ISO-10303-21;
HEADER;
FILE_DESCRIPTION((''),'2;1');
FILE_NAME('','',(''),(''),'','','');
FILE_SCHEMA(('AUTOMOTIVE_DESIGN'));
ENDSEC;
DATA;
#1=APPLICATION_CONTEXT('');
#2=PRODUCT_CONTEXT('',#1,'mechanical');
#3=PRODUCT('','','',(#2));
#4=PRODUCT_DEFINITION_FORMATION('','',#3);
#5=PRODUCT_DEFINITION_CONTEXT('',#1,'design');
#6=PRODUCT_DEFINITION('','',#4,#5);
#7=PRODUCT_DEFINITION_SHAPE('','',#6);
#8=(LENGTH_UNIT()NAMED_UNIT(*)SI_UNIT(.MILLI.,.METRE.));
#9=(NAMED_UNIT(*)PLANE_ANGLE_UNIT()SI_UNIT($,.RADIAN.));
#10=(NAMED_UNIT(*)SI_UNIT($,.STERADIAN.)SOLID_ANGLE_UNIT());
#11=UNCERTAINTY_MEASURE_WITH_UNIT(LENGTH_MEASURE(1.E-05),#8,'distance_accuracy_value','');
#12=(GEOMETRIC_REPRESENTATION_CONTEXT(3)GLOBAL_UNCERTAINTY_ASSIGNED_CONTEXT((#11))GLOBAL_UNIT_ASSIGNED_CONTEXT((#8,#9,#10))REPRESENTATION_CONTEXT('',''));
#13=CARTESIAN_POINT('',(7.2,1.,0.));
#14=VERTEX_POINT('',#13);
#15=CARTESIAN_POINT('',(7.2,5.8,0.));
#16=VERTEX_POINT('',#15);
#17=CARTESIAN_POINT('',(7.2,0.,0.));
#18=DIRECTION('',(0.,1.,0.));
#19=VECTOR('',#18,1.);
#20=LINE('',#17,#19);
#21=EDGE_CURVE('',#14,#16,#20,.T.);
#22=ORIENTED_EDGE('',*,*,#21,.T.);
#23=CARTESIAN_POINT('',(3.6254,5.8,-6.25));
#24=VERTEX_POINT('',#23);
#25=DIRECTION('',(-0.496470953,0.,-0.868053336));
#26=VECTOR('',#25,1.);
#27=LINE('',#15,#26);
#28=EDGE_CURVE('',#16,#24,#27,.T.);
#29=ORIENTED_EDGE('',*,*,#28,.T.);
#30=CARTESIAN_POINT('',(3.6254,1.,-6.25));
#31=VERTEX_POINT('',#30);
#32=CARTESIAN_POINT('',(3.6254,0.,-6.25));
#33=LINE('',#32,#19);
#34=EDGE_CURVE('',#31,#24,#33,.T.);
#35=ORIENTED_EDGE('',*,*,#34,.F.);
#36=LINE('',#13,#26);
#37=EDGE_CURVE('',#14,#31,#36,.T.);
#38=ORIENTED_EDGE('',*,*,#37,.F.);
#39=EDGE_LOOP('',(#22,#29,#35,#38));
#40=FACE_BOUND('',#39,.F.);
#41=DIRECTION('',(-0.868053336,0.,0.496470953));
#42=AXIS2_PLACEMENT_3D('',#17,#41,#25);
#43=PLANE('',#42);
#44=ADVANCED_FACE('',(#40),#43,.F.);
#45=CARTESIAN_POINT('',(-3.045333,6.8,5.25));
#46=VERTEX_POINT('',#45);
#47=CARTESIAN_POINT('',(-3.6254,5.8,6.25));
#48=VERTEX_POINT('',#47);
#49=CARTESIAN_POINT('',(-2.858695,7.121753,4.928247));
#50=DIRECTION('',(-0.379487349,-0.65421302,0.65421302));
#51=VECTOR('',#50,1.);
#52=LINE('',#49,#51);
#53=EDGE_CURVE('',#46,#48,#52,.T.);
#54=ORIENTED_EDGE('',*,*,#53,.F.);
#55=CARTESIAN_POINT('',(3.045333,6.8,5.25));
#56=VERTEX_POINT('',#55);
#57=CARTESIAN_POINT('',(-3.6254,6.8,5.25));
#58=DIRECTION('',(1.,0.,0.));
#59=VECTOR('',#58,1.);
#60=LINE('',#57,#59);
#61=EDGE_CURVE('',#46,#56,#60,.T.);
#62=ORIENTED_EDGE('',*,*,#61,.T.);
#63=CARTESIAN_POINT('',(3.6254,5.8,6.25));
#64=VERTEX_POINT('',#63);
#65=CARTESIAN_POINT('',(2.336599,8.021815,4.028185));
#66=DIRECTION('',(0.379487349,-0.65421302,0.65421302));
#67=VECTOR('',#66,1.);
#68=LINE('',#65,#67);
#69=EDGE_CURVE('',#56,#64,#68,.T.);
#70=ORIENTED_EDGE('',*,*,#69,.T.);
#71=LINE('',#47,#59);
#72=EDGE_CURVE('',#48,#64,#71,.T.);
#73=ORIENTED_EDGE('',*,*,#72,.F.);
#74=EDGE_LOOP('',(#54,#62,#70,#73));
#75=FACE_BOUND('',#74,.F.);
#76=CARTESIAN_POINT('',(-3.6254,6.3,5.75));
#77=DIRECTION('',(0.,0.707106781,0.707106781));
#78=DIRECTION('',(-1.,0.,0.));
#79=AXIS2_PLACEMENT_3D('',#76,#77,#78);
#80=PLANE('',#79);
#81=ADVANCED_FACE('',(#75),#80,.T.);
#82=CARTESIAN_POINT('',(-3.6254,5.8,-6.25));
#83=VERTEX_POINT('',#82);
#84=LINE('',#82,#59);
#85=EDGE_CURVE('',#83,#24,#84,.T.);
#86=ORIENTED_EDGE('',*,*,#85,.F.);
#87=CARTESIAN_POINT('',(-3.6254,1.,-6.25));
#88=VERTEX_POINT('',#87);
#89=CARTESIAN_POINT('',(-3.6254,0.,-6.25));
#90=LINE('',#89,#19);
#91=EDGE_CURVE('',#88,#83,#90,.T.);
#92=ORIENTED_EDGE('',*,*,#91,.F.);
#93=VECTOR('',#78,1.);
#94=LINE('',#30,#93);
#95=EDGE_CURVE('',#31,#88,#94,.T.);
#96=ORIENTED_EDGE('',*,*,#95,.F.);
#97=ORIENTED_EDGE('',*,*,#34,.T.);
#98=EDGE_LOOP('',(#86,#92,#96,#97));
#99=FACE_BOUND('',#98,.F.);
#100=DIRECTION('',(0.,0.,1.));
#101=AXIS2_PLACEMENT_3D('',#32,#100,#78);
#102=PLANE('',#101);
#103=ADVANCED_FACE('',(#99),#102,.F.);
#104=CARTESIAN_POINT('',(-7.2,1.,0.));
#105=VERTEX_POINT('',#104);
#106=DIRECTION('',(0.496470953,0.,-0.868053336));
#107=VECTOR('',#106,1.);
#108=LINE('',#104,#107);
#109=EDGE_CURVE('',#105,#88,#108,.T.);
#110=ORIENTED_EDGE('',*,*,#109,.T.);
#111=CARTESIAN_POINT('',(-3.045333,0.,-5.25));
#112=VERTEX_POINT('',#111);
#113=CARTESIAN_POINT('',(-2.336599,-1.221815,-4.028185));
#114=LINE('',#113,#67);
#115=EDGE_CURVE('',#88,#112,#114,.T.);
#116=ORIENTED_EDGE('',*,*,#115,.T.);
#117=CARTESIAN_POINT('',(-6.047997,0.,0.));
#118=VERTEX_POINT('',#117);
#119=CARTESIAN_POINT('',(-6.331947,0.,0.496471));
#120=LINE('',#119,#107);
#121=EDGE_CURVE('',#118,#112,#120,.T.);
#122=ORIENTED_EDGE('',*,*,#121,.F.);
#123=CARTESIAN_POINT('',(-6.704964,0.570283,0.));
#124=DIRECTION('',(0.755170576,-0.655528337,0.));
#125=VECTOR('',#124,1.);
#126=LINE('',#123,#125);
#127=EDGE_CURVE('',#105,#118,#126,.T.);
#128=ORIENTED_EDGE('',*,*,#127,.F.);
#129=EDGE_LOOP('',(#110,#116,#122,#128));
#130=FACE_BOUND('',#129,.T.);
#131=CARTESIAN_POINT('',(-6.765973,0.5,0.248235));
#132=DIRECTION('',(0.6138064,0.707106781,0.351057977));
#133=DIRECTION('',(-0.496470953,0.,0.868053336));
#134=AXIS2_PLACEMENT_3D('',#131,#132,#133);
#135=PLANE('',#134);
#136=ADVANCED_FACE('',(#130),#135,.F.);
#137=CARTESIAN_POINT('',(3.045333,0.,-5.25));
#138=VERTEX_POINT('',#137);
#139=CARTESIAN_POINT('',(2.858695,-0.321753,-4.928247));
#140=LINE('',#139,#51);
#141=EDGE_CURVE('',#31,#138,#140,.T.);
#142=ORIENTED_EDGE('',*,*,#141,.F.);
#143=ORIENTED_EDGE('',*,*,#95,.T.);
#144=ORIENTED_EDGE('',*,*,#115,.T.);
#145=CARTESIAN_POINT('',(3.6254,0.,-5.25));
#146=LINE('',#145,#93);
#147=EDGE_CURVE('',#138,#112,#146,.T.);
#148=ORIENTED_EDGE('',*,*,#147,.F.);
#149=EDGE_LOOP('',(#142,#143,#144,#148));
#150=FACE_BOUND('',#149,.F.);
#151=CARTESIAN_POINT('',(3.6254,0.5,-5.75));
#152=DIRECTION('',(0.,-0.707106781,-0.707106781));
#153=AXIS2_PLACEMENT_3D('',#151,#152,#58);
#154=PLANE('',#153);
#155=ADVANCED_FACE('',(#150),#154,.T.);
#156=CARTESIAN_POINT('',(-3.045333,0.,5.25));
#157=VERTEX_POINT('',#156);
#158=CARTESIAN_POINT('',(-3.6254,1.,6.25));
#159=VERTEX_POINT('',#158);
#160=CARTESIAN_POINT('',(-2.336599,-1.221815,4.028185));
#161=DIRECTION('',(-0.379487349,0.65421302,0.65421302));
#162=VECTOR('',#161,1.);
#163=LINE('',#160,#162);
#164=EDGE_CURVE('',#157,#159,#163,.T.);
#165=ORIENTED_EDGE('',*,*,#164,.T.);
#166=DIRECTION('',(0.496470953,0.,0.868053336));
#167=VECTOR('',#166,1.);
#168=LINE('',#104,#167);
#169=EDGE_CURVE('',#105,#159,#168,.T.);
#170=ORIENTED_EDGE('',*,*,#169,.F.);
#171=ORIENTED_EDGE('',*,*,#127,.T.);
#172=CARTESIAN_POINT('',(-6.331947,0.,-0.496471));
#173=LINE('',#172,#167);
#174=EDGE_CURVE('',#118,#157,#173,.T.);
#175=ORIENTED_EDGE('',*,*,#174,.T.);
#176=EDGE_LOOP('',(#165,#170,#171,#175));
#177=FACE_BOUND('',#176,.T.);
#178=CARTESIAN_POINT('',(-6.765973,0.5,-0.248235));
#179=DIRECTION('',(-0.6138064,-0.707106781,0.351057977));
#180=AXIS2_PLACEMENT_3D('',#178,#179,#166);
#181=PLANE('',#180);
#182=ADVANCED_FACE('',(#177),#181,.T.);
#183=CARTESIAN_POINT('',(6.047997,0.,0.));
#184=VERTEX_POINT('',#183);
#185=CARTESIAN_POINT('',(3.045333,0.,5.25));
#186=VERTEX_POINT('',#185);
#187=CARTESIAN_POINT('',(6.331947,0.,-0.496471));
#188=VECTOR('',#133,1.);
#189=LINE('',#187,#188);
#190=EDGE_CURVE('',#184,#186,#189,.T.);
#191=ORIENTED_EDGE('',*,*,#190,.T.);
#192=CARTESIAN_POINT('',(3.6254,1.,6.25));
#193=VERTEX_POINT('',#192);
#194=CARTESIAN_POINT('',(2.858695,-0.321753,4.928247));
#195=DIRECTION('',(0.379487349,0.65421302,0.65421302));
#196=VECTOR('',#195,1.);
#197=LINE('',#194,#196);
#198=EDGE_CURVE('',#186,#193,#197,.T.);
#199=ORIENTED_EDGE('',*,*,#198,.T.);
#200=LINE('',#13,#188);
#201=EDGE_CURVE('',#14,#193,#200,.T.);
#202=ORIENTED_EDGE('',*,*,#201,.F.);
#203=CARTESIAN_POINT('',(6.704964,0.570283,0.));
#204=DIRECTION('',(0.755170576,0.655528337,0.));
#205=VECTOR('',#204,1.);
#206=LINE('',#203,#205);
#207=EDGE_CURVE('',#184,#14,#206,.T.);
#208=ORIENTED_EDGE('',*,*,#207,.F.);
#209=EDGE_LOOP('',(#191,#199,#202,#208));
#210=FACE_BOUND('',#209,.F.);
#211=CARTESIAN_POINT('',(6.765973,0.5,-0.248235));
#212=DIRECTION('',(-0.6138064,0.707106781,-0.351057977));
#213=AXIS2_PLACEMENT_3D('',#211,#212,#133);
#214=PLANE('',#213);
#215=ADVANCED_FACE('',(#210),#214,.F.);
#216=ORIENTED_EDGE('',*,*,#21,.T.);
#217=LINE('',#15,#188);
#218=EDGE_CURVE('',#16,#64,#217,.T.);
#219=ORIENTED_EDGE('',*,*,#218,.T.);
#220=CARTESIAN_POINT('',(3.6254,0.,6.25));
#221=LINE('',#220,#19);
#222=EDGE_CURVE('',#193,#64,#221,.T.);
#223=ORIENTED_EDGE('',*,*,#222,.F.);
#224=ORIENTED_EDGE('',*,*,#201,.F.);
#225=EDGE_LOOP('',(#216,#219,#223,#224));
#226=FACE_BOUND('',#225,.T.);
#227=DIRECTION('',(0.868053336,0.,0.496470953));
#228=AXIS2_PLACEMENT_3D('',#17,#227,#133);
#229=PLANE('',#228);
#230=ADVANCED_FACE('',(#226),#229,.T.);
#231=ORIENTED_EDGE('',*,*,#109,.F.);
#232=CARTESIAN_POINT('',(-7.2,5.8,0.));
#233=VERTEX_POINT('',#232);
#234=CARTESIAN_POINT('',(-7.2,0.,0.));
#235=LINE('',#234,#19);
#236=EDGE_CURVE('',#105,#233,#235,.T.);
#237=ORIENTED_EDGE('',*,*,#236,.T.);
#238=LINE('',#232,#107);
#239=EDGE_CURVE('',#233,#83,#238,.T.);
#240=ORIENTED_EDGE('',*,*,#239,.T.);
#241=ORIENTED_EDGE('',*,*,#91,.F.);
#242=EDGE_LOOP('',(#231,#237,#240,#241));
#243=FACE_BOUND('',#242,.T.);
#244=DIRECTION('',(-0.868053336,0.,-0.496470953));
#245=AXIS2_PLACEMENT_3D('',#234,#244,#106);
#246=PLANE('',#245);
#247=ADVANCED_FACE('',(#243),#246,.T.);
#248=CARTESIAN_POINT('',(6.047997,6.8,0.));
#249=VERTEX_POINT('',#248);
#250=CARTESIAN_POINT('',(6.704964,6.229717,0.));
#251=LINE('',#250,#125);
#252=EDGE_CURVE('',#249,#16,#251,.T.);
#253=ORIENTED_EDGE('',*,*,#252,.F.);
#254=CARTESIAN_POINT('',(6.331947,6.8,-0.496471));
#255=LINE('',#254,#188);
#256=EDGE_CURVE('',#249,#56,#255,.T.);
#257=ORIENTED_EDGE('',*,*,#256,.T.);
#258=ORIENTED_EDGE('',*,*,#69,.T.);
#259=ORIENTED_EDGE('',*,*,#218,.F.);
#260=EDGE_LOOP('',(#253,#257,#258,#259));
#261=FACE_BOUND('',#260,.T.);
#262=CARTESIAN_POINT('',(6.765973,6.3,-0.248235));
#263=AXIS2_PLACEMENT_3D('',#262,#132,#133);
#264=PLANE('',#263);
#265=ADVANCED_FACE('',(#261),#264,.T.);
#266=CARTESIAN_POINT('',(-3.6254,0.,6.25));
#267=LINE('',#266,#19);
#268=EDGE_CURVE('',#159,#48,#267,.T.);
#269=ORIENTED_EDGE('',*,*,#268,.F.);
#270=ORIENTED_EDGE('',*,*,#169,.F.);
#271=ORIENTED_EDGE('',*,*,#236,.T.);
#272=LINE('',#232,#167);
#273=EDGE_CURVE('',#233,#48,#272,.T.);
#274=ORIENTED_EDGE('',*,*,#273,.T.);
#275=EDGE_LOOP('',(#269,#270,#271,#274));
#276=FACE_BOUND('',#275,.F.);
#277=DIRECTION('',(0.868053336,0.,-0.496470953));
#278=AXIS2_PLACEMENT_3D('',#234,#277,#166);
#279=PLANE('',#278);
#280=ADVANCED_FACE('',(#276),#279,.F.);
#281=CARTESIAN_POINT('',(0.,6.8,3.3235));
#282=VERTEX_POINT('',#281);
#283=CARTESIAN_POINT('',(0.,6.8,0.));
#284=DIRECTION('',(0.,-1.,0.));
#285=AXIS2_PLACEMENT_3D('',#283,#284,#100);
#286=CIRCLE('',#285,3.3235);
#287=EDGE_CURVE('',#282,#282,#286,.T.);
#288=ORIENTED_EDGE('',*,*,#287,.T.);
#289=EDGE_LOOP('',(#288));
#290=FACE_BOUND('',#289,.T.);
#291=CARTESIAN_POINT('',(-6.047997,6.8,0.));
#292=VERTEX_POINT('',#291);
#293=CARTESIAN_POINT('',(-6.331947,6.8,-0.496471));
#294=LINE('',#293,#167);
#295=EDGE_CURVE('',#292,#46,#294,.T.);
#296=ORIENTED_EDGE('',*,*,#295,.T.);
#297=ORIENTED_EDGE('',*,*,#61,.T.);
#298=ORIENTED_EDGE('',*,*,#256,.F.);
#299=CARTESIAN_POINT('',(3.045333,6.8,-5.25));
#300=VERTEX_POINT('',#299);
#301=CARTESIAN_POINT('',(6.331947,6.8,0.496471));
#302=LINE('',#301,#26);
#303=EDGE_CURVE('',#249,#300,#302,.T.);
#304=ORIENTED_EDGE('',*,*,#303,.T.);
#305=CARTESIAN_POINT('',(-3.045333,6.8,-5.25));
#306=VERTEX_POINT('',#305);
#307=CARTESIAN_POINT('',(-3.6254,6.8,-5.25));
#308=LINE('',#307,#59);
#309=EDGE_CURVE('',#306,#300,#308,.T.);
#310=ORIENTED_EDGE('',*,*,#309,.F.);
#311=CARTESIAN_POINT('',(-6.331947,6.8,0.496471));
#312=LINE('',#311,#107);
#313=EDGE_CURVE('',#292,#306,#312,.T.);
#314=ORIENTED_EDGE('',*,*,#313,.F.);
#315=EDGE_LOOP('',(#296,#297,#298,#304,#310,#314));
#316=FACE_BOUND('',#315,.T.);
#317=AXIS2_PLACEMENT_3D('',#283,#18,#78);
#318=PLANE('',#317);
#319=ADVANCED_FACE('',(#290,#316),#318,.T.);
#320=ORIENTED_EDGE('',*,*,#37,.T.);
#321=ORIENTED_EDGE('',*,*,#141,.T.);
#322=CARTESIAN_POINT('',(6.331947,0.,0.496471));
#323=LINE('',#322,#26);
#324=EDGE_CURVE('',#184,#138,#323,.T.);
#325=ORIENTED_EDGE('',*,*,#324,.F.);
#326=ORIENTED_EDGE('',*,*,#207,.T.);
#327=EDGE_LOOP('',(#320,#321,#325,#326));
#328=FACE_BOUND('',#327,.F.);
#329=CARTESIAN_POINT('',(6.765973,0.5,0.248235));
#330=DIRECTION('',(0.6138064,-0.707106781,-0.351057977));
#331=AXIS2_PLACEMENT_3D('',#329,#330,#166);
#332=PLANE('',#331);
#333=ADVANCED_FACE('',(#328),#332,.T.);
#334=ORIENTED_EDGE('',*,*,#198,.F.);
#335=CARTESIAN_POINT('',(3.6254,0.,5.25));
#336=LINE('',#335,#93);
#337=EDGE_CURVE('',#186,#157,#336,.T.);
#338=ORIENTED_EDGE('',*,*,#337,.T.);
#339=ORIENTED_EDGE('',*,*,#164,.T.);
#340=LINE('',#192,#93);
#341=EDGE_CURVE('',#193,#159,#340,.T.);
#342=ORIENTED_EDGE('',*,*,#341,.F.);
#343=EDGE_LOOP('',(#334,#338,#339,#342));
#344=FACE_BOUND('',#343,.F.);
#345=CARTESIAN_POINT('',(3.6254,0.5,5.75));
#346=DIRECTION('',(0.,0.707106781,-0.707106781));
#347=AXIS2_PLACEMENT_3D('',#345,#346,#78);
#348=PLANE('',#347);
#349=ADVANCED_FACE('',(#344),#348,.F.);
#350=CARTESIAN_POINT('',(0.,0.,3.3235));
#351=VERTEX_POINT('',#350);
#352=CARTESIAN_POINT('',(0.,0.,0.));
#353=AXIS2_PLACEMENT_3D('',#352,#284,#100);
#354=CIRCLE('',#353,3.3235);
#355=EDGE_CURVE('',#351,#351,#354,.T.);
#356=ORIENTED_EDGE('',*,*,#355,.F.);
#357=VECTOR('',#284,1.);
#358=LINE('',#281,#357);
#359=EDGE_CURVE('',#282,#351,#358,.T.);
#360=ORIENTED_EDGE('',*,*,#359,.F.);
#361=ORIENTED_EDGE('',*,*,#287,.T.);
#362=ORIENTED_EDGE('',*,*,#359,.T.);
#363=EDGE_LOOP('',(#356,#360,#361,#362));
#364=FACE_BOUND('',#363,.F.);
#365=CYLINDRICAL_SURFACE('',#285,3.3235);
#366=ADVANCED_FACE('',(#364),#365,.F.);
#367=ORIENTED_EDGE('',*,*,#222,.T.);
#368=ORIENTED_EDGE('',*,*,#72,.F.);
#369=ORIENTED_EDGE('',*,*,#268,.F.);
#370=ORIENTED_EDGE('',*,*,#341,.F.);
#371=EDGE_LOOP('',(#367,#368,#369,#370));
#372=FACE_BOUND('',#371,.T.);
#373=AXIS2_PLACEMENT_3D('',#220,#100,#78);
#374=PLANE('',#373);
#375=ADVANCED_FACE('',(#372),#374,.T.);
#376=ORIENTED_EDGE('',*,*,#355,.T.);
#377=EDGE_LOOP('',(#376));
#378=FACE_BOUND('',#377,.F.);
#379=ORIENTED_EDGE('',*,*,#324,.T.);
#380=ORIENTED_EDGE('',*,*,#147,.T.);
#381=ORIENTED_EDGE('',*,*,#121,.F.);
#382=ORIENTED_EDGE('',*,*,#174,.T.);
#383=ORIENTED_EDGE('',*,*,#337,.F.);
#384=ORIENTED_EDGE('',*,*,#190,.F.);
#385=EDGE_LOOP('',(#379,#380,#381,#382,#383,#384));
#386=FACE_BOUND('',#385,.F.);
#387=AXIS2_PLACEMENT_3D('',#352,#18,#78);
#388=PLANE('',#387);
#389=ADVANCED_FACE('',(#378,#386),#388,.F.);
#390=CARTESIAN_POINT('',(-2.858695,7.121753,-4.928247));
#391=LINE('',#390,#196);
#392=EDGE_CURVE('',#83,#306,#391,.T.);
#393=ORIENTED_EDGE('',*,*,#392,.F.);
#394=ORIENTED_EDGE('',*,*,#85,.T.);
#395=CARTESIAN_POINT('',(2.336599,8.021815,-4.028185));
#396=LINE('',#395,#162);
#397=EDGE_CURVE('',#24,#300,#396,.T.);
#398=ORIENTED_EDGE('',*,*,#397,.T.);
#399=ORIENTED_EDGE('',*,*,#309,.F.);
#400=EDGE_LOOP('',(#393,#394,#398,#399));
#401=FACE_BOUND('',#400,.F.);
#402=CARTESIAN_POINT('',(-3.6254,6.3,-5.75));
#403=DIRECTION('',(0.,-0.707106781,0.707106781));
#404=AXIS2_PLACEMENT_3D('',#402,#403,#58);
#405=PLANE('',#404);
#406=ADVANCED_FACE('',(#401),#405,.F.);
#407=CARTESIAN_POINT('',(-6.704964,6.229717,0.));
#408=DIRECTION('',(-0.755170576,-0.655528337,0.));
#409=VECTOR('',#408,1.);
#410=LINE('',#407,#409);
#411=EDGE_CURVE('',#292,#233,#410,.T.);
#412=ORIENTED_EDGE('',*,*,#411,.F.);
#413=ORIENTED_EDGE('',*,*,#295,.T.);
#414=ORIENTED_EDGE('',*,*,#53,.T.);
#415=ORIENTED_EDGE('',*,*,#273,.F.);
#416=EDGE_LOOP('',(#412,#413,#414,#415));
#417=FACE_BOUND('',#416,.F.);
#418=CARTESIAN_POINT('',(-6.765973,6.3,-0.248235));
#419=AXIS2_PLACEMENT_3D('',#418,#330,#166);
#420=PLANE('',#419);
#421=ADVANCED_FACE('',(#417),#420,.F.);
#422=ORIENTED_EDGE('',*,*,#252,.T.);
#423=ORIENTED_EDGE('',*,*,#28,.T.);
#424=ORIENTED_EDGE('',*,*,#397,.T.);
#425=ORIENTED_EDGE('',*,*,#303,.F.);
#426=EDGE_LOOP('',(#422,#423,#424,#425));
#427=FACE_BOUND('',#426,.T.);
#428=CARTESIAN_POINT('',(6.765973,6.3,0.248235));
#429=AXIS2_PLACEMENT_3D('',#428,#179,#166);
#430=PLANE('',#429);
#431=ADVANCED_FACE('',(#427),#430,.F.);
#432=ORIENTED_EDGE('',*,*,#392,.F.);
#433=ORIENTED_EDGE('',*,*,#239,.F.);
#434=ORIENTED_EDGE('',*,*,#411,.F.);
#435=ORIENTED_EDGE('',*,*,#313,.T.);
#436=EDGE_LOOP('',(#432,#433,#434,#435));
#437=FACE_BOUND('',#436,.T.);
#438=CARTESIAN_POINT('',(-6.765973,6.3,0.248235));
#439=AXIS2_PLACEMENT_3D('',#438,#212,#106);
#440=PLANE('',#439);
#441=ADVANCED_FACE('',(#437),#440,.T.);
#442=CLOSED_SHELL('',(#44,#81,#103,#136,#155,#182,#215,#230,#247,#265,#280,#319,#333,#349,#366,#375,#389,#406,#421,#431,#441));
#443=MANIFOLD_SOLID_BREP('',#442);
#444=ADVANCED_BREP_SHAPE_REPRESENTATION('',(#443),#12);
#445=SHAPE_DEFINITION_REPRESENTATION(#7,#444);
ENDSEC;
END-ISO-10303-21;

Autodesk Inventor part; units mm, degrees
ref_plane "YZ Plane" through (0, 0, 0) normal (1, 0, 0) x (0, 1, 0)
ref_plane "XZ Plane" through (0, 0, 0) normal (0, 1, 0) x (-1, 0, 0)
ref_plane "XY Plane" through (0, 0, 0) normal (0, 0, 1) x (1, 0, 0)
sketch "草图1" plane through (0, 0, 0) normal (0, 1, 0) x (-1, 0, 0)
  line L0 (0, 0) -> (7.2, 0)
  line L1 (7.2, 0) -> (3.6254, -6.25)
  line L2 (3.6254, -6.25) -> (0, -6.25)
  line L3 (7.2, 0) -> (3.6254, 6.25)
  line L4 (3.6254, 6.25) -> (0, 6.25)
  line L5 (0, 0) -> (0, -6.25)
  line L6 (-7.2, 0) -> (-3.6254, -6.25)
  line L7 (-3.6254, -6.25) -> (0, -6.25)
  line L8 (-7.2, 0) -> (-3.6254, 6.25)
  line L9 (-3.6254, 6.25) -> (0, 6.25)
  dimension "d2" = 14.4
  dimension "d3" = 12.5
extrude "拉伸1" add sketch "草图1" along normal blind 6.8
sketch "草图2" plane through (0, 6.8, 0) normal (0, 1, 0) x (1, 0, 0)
  circle A0 centre (0, 0) radius 6.25
  dimension "d6" = 12.5
hole "孔1" at (0, 6.8, 0) direction (0, -1, 0) diameter 6.647 end through all thread size "M8x1.25" designation "M8" class "6H" standard "GB Metric profile"
chamfer "倒角3" distance 1 angle 45 12 edges at (0, 6.8, 6.25) (5.4127, 6.8, 3.125) (5.4127, 6.8, -3.125) (0, 6.8, -6.25) (-5.4127, 6.8, -3.125) (-5.4127, 6.8, 3.125) (5.4127, 0, 3.125) (5.4127, 0, -3.125) (0, 0, -6.25) (-5.4127, 0, -3.125) (-5.4127, 0, 3.125) (0, 0, 6.25)
properties part number "6-luomu" material "不锈钢"
